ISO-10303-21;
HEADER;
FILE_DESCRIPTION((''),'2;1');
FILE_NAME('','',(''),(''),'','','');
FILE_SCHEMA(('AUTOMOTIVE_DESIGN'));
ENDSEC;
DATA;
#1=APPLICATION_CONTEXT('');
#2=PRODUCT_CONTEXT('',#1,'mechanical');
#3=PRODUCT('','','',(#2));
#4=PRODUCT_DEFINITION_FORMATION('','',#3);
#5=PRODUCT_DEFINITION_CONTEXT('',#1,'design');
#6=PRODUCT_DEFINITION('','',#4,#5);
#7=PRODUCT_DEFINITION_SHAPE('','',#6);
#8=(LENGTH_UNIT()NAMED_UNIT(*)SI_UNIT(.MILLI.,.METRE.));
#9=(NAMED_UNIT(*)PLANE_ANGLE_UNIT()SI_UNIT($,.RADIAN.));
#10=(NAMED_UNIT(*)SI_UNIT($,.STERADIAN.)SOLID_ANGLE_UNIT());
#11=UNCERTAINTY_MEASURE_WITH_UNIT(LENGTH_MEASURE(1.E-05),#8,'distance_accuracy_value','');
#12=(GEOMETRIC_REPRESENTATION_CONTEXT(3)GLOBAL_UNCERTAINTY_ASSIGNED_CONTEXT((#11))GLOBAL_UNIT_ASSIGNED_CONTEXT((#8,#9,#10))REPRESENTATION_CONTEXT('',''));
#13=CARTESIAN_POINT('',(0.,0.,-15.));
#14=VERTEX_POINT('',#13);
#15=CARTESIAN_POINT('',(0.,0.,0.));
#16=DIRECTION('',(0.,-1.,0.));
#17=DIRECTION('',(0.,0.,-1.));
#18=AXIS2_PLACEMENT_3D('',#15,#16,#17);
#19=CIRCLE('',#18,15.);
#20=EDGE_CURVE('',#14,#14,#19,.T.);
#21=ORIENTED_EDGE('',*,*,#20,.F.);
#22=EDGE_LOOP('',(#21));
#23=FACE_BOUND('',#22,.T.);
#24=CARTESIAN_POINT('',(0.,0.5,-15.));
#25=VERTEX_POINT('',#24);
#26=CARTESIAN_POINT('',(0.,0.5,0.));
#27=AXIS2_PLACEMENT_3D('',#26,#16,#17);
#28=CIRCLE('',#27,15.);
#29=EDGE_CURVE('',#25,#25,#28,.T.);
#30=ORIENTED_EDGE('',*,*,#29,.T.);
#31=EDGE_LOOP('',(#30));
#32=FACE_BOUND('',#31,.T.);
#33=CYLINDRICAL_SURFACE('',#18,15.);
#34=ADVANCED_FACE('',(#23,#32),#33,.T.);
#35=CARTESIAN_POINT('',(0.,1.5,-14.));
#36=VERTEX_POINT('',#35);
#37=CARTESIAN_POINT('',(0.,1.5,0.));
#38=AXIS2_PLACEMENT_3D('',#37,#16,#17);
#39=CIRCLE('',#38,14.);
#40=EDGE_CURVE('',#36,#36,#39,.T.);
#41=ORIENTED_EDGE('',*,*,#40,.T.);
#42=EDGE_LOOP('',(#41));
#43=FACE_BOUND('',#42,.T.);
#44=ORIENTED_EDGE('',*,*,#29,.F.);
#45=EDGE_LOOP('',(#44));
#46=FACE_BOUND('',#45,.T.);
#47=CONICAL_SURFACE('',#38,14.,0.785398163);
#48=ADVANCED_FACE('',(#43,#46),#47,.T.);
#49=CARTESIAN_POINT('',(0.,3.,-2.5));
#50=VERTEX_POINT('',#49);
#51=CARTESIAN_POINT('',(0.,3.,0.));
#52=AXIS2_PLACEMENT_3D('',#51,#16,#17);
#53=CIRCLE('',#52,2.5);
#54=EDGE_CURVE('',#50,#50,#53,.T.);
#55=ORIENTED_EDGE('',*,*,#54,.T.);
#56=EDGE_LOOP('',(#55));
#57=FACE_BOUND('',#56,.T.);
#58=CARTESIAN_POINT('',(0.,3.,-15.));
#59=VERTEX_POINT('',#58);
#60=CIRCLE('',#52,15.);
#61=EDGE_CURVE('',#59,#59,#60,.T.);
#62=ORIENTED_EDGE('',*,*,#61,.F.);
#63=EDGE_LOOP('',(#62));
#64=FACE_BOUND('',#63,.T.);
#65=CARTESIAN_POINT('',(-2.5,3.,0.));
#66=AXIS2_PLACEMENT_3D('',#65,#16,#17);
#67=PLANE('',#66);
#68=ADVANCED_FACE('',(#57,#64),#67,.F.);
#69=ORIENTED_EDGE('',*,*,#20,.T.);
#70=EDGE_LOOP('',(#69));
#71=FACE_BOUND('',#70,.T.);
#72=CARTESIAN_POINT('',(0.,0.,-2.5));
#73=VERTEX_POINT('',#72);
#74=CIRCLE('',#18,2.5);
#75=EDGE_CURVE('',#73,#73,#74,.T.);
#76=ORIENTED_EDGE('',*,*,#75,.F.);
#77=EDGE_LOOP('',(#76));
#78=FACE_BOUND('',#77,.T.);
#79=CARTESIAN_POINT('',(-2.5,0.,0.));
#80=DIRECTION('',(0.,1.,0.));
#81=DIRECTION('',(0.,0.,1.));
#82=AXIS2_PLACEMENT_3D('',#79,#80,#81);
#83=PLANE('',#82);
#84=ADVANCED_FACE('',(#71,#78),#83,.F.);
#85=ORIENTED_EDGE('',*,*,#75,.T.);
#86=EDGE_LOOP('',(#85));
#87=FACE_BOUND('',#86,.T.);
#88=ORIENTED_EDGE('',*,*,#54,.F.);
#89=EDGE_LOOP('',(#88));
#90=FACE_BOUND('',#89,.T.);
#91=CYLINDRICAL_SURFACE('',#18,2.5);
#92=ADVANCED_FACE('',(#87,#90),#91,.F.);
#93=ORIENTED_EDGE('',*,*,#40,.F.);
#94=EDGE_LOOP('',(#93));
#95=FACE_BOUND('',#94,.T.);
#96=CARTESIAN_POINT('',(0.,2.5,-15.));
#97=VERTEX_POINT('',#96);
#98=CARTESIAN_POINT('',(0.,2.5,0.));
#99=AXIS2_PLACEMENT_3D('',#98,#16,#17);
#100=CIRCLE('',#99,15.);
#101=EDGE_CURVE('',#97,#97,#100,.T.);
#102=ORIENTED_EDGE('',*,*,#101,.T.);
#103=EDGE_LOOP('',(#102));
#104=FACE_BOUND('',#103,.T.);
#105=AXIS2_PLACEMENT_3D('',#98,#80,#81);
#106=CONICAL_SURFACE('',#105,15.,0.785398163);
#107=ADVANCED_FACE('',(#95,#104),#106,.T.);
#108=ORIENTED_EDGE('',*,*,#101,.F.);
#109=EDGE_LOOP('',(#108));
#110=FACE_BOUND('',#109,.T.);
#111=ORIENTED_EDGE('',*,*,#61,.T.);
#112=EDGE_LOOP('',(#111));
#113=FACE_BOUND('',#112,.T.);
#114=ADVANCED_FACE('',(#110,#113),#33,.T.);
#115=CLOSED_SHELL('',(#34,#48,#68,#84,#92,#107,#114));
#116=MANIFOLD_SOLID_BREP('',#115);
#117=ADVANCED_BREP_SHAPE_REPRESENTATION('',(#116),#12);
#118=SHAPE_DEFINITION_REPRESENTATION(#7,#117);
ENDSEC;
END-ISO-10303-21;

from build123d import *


with BuildPart() as part:
    # Sketch1 → Revolve1 (revolve)
    with BuildSketch(Plane.XY, mode=Mode.PRIVATE) as revolve1_sk:
        Polygon((-2.5, 0), (-2.5, 3), (-15, 3), (-15, 2.5), (-14, 1.5), (-15, 0.5), (-15, 0), align=None)
    revolve(revolve1_sk.sketch.rotate(Axis((0, 0, 0), (0, 1, 0)), 270), axis=Axis((0, 0, 0), (0, 1, 0)))


solid = part.part
